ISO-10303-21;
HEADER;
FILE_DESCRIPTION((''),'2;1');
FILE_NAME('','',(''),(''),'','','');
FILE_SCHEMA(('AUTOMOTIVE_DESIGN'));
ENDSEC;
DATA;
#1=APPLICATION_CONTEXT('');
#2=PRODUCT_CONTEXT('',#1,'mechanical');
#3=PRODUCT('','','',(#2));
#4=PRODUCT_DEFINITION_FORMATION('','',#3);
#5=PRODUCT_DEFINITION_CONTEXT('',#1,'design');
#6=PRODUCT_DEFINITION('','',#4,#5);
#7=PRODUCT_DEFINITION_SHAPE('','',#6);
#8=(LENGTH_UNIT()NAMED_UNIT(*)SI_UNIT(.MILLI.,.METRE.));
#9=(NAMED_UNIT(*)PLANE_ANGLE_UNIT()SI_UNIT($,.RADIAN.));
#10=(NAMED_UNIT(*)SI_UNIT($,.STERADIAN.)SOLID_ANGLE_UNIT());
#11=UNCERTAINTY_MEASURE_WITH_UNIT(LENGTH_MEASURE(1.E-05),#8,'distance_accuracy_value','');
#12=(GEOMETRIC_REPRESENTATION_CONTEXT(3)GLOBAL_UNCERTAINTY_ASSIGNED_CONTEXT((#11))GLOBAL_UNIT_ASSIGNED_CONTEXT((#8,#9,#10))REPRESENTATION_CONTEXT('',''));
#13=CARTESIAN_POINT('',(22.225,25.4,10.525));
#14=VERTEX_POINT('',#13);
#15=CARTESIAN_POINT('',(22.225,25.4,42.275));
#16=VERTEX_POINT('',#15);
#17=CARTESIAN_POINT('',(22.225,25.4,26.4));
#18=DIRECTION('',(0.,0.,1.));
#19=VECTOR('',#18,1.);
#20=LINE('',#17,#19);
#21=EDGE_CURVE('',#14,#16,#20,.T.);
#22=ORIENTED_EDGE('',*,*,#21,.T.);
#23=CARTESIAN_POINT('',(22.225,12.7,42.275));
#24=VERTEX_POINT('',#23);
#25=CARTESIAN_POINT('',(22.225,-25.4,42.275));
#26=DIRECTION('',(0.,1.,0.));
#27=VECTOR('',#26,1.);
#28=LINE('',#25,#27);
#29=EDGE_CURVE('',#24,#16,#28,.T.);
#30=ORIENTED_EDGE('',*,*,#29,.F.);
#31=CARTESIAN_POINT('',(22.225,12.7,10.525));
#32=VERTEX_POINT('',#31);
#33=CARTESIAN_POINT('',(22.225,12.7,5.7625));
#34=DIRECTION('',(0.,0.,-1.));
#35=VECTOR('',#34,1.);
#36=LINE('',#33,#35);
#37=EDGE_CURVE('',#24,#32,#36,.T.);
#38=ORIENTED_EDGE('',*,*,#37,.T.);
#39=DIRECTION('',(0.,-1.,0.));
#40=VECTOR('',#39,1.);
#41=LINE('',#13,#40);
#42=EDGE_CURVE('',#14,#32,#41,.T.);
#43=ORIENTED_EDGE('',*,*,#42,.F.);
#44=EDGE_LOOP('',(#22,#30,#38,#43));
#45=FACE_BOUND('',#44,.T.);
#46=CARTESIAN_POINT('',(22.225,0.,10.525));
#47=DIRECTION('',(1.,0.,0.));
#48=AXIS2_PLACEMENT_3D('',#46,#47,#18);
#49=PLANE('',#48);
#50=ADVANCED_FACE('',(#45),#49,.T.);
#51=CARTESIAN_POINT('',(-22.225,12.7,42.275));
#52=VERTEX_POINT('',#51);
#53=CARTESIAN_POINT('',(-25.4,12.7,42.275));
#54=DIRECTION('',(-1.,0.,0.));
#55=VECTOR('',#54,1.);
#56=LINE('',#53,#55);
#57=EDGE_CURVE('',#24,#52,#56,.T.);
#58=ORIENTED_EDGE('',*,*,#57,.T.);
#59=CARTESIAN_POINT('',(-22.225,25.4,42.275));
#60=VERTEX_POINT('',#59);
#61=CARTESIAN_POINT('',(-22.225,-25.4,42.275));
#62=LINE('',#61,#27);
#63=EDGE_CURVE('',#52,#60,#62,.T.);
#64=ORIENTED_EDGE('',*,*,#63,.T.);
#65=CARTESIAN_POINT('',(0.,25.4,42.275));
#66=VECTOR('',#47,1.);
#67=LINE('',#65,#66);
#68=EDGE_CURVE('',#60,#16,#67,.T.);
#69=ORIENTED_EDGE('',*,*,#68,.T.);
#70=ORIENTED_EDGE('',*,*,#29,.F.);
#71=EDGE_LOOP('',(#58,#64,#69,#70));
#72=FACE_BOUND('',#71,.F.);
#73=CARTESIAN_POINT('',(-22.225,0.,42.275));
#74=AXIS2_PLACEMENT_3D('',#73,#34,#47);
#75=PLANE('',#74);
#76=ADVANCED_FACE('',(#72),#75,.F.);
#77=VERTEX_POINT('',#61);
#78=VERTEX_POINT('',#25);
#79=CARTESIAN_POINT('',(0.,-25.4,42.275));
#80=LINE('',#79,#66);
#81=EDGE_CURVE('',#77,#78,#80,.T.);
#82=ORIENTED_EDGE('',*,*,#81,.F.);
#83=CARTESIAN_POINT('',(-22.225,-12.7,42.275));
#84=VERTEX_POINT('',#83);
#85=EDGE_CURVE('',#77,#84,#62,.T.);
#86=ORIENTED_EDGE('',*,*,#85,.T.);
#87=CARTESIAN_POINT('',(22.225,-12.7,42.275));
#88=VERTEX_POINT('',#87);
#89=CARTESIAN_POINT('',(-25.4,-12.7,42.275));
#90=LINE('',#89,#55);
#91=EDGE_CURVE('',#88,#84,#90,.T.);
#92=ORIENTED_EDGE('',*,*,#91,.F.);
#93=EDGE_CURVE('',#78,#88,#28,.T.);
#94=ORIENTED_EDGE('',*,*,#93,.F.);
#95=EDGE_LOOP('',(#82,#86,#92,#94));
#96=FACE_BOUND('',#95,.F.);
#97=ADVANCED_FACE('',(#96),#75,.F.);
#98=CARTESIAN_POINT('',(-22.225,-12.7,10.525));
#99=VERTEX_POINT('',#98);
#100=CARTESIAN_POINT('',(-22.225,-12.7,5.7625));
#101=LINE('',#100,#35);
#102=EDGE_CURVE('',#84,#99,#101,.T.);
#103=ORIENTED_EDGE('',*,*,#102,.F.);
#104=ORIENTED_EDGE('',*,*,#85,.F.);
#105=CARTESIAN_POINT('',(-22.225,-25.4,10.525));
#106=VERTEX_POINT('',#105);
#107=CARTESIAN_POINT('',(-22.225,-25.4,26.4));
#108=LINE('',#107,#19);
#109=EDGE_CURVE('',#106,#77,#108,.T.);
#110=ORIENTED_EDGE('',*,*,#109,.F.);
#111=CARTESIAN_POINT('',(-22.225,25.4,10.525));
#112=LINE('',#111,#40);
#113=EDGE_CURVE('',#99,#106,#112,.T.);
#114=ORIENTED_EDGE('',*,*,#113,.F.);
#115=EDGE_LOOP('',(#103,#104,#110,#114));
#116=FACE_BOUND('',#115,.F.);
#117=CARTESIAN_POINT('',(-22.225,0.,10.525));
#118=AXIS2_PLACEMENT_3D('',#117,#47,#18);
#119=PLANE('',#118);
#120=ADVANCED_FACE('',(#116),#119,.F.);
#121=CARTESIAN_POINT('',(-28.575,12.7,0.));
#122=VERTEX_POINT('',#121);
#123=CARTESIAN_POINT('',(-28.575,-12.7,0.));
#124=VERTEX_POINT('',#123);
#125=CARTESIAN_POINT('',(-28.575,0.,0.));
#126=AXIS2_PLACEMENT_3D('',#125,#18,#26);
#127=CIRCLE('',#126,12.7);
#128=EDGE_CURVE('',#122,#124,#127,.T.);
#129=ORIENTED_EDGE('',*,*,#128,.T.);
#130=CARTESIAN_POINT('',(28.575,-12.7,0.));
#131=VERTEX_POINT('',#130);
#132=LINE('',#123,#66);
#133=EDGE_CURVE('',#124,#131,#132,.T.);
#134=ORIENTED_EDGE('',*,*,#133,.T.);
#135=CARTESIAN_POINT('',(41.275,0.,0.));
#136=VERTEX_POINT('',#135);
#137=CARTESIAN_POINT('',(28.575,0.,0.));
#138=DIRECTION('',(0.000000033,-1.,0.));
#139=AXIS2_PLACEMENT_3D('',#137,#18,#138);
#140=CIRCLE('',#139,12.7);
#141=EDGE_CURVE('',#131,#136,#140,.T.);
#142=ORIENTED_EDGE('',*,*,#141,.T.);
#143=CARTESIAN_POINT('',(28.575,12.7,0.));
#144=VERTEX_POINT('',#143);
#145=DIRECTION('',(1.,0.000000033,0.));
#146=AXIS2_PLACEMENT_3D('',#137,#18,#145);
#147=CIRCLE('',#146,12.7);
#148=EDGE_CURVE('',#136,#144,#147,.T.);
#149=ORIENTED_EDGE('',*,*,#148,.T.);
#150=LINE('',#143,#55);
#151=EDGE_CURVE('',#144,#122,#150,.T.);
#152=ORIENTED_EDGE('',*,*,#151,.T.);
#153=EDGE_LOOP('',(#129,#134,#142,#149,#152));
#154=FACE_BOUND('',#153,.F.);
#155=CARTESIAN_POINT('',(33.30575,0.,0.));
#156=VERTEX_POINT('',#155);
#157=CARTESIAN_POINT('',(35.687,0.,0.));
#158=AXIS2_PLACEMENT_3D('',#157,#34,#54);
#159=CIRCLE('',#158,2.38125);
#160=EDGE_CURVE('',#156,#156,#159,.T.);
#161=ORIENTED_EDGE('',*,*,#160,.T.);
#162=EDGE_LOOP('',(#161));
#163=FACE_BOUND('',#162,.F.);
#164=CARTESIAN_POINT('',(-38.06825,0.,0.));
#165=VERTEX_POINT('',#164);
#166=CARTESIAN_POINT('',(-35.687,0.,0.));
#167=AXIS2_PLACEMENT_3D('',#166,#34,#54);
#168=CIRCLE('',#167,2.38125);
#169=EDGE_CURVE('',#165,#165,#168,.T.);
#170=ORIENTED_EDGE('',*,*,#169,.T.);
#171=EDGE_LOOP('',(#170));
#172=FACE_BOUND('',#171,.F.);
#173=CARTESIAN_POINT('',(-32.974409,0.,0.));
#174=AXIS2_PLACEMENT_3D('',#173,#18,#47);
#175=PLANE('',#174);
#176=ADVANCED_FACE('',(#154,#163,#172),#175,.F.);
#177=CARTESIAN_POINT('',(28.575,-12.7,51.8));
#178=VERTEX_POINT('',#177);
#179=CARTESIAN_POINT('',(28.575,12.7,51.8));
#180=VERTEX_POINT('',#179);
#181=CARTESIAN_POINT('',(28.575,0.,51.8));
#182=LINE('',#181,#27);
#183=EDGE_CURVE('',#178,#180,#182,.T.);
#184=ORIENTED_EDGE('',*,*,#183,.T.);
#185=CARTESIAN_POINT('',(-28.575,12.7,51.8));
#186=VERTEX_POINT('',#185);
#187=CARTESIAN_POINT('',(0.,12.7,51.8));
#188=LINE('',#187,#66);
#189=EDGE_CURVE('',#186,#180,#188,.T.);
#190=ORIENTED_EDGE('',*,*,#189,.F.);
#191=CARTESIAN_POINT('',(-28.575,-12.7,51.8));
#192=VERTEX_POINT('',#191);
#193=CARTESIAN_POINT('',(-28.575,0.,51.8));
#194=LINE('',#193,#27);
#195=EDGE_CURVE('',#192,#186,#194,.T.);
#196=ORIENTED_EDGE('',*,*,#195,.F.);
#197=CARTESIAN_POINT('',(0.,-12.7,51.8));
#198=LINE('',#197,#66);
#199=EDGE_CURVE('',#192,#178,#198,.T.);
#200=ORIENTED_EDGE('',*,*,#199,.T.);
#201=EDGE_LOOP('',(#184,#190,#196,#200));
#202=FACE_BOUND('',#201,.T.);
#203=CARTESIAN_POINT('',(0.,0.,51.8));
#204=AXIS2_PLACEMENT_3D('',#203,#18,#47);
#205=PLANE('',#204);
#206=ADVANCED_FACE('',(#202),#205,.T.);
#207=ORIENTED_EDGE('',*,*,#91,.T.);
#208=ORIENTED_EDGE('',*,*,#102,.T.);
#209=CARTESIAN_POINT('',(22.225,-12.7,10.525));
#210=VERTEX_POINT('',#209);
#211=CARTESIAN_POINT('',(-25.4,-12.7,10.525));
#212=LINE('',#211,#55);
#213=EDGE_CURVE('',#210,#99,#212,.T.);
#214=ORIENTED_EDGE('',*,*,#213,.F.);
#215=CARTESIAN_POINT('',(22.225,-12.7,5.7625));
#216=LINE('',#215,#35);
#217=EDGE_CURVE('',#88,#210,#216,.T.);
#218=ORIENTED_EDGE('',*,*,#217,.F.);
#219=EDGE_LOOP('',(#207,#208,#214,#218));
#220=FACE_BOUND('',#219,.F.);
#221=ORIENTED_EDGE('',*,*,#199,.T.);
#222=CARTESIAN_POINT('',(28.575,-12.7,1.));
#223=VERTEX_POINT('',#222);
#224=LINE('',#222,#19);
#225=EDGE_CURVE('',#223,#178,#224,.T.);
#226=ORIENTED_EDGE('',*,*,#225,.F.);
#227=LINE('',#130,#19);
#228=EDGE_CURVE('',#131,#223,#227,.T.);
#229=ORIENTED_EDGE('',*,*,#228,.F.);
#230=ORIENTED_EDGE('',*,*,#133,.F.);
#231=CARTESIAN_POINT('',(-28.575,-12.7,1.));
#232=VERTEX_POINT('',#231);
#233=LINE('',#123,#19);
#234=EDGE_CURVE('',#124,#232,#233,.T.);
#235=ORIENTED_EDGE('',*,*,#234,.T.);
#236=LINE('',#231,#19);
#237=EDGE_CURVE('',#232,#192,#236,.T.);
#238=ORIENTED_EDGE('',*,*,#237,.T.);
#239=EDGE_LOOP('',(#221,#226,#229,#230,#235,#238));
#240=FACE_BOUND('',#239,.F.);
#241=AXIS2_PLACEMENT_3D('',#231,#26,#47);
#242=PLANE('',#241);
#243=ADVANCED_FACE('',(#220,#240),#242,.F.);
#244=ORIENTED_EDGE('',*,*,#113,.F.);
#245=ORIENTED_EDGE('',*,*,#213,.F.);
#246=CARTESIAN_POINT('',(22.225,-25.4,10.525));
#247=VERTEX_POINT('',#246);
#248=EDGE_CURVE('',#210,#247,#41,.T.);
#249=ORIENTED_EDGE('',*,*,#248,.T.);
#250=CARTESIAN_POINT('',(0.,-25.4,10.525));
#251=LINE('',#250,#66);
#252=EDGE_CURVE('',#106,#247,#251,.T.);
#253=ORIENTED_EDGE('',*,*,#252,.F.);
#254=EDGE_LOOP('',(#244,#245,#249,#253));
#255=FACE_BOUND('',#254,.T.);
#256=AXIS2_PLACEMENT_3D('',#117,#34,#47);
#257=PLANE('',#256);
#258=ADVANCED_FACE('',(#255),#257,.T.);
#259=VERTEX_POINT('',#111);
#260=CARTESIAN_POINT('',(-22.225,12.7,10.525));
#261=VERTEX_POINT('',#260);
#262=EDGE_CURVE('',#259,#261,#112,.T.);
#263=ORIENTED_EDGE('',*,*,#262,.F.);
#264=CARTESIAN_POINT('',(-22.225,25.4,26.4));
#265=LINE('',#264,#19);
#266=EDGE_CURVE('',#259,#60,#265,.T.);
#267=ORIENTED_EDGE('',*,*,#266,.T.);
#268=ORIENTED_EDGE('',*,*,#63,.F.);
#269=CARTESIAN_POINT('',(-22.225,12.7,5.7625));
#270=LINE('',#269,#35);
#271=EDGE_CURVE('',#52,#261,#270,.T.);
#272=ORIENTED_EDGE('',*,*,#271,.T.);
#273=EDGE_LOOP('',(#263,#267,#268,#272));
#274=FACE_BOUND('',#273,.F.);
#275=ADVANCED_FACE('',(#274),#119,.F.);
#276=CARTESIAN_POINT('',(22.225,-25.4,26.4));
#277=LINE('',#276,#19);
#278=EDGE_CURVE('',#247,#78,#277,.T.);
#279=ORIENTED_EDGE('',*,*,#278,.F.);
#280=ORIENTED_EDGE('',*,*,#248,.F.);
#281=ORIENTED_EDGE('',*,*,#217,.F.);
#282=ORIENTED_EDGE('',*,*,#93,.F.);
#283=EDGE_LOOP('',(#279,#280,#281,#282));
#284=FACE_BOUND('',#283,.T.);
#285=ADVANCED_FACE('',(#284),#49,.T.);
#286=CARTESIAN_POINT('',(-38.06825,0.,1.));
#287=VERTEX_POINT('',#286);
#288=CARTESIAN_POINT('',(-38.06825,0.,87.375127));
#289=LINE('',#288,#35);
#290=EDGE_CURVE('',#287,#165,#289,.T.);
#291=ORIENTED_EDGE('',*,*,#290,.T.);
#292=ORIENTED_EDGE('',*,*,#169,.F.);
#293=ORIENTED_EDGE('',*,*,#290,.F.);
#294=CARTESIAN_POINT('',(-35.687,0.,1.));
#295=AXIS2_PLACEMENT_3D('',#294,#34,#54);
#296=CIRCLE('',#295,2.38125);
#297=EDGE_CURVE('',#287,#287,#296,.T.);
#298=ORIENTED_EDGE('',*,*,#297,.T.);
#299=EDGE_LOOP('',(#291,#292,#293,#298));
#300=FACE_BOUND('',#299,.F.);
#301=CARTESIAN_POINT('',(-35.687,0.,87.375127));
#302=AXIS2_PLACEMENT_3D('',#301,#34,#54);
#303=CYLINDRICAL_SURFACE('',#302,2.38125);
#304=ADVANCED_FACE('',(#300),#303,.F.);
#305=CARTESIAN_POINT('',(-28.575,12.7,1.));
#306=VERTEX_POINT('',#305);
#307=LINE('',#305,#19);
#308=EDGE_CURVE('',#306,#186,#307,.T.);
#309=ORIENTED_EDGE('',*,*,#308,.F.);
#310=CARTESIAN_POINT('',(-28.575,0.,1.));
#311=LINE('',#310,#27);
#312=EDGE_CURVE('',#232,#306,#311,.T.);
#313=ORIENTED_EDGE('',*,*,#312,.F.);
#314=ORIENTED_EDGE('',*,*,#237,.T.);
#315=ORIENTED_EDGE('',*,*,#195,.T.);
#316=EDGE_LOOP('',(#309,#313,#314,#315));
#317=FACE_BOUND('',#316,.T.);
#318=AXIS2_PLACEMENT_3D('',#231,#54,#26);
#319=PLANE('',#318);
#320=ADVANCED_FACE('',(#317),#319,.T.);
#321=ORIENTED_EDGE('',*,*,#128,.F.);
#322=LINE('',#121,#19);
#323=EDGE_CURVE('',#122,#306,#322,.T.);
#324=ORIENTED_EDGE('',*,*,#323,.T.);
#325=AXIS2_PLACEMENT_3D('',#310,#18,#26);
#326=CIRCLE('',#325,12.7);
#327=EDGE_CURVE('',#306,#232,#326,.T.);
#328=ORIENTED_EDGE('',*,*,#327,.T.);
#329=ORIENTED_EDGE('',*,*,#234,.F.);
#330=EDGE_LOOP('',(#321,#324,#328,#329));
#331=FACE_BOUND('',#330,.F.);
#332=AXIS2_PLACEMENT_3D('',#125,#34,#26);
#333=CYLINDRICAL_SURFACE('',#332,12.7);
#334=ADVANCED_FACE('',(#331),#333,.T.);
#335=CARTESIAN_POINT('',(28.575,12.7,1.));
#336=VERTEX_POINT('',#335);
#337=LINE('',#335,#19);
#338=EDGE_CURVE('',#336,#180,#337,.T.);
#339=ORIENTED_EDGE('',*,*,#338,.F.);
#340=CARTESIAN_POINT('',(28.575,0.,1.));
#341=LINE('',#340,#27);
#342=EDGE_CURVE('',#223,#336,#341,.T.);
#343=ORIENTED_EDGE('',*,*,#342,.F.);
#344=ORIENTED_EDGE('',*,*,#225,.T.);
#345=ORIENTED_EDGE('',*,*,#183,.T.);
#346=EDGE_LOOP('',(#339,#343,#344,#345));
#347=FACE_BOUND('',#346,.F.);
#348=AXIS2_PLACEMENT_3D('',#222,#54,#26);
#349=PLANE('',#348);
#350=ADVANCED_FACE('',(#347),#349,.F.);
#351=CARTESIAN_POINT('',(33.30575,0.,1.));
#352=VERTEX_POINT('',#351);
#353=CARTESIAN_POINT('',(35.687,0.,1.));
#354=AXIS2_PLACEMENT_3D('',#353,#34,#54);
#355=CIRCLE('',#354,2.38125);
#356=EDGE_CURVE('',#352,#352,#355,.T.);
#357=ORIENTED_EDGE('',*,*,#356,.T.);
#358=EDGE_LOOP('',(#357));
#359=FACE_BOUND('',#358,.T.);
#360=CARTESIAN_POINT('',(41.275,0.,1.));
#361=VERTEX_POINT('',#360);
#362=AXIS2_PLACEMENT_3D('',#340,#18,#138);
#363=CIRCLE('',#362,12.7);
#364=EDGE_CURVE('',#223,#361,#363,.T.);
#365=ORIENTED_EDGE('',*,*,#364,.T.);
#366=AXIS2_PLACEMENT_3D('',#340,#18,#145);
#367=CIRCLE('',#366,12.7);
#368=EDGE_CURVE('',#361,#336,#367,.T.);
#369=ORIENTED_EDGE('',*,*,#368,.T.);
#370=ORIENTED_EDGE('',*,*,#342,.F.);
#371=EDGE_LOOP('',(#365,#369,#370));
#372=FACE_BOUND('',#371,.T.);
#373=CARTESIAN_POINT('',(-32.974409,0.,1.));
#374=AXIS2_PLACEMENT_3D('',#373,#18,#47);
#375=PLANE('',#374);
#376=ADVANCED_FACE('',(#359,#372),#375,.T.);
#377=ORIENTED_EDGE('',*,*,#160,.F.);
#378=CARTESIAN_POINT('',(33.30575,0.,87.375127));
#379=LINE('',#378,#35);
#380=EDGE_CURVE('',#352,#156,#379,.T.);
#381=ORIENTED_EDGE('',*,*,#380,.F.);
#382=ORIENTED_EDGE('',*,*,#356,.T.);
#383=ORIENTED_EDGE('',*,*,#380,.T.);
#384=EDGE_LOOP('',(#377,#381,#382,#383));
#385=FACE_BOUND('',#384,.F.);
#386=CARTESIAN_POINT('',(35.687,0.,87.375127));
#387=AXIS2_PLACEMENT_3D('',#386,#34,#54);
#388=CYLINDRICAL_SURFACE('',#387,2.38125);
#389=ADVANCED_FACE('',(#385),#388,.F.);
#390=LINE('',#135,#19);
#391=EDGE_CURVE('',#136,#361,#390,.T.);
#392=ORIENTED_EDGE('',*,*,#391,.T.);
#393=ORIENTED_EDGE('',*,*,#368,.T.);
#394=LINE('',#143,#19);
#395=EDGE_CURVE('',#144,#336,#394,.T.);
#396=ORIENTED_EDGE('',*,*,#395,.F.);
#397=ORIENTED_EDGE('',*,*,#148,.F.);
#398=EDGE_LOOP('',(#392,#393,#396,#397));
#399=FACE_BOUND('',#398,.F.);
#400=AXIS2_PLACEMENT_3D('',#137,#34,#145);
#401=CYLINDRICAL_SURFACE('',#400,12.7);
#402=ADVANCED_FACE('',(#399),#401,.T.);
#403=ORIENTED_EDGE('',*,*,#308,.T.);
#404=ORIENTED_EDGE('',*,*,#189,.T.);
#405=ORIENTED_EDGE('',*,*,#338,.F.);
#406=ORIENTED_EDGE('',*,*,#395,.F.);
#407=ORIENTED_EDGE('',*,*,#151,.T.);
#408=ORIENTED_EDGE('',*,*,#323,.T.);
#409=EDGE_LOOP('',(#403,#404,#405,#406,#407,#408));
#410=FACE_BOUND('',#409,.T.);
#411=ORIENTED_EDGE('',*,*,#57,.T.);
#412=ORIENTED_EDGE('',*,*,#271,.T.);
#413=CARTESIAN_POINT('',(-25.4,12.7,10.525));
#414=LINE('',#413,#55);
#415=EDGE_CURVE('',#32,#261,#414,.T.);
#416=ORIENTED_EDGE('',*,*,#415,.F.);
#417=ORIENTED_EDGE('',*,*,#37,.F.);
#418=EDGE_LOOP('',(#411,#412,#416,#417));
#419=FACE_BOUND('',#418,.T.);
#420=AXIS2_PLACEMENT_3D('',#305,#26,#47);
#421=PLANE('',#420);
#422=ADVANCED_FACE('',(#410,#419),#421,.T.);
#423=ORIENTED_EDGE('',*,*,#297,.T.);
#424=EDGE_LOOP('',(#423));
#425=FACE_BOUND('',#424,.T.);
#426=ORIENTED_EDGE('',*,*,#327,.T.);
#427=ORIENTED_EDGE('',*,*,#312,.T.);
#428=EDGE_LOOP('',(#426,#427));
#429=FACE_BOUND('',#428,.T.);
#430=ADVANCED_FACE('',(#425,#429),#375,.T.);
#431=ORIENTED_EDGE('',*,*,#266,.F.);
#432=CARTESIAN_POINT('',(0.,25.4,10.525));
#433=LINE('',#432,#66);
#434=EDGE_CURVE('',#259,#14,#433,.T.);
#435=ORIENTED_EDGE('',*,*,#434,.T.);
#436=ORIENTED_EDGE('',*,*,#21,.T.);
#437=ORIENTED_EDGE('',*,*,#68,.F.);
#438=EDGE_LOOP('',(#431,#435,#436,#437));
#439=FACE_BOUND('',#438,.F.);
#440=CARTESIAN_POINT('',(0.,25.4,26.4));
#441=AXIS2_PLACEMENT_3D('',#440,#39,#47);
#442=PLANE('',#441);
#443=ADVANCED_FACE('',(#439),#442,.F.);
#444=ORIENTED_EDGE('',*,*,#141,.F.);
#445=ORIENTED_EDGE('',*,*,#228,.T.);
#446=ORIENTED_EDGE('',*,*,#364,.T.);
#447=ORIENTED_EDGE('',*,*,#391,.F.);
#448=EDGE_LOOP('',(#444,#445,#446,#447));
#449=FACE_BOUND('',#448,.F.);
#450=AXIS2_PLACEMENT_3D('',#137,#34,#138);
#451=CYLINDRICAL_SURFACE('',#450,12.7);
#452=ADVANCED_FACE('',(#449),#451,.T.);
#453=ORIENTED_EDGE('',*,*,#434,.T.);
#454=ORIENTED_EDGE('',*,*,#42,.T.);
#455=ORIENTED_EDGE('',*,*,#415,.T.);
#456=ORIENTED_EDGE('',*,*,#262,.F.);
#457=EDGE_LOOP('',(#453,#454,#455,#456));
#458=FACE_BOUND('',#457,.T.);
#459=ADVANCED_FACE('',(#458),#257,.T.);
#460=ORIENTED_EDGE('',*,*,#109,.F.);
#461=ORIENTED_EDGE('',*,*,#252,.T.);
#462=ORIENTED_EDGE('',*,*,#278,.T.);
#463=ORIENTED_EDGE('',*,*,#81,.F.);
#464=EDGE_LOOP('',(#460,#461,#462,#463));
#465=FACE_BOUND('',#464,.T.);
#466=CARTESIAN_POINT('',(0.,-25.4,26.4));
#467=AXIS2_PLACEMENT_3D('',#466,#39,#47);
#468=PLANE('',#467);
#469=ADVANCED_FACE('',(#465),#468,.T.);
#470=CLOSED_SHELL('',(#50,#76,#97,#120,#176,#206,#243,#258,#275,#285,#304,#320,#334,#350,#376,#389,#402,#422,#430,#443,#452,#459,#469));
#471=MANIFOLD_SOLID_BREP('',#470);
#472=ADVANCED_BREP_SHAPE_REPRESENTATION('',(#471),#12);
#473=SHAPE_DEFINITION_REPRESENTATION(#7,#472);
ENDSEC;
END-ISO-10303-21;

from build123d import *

# Parameters (mm, degrees)
F1_DEPTH = 1
F3_D     = 4.7625
F4_W     = 57.15
F4_H     = 25.4
F5_DEPTH = 50.8
F6_W     = 44.45
F6_H     = 31.75
F7_DEPTH = 25.4


with BuildPart() as f1:
    # F0 (on Top) → F1 (new body)
    with BuildSketch(Plane.XY):
        with BuildLine():
            ThreePointArc((-28.575, 12.7), (-41.275, 0), (-28.575, -12.7))
            Line((-28.575, -12.7), (-28.575, 12.7))
        make_face()
        with BuildLine():
            Line((-28.575, 12.7), (-28.575, -12.7))
            ThreePointArc((-28.575, -12.7), (-19.594744, -8.980256), (-15.875, 0))
            ThreePointArc((-15.875, 0), (-19.594744, 8.980256), (-28.575, 12.7))
        make_face()
        with BuildLine():
            ThreePointArc((-15.875, 0), (-19.594744, -8.980256), (-28.575, -12.7))
            Line((-28.575, -12.7), (28.575, -12.7))
            ThreePointArc((28.575, -12.7), (15.875, 0), (28.575, 12.7))
            Line((28.575, 12.7), (-28.575, 12.7))
            ThreePointArc((-28.575, 12.7), (-19.594744, 8.980256), (-15.875, 0))
        make_face()
        with BuildLine():
            ThreePointArc((28.575, 12.7), (15.875, 0), (28.575, -12.7))
            Line((28.575, -12.7), (28.575, 12.7))
        make_face()
        with BuildLine():
            Line((28.575, 12.7), (28.575, -12.7))
            ThreePointArc((28.575, -12.7), (37.555256, -8.980256), (41.275, 0))
            ThreePointArc((41.275, 0), (37.555256, 8.980256), (28.575, 12.7))
        make_face()
    extrude(amount=F1_DEPTH)

    # F3 (through all)
    with Locations(Plane.XY.offset(1)):
        with Locations((-35.687, 0), (35.687, 0)):
            Hole(F3_D / 2)

    # F4 (on face) → F5 (join)
    with BuildSketch(Plane.XY.offset(1)):
        Rectangle(F4_W, F4_H)
    extrude(amount=F5_DEPTH)

    # F6 (on Front) → F7 (join, symmetric)
    with BuildSketch(Plane.XZ):
        with Locations((0, 26.4)):
            Rectangle(F6_W, F6_H)
    extrude(amount=F7_DEPTH, both=True)


solid = f1.part
